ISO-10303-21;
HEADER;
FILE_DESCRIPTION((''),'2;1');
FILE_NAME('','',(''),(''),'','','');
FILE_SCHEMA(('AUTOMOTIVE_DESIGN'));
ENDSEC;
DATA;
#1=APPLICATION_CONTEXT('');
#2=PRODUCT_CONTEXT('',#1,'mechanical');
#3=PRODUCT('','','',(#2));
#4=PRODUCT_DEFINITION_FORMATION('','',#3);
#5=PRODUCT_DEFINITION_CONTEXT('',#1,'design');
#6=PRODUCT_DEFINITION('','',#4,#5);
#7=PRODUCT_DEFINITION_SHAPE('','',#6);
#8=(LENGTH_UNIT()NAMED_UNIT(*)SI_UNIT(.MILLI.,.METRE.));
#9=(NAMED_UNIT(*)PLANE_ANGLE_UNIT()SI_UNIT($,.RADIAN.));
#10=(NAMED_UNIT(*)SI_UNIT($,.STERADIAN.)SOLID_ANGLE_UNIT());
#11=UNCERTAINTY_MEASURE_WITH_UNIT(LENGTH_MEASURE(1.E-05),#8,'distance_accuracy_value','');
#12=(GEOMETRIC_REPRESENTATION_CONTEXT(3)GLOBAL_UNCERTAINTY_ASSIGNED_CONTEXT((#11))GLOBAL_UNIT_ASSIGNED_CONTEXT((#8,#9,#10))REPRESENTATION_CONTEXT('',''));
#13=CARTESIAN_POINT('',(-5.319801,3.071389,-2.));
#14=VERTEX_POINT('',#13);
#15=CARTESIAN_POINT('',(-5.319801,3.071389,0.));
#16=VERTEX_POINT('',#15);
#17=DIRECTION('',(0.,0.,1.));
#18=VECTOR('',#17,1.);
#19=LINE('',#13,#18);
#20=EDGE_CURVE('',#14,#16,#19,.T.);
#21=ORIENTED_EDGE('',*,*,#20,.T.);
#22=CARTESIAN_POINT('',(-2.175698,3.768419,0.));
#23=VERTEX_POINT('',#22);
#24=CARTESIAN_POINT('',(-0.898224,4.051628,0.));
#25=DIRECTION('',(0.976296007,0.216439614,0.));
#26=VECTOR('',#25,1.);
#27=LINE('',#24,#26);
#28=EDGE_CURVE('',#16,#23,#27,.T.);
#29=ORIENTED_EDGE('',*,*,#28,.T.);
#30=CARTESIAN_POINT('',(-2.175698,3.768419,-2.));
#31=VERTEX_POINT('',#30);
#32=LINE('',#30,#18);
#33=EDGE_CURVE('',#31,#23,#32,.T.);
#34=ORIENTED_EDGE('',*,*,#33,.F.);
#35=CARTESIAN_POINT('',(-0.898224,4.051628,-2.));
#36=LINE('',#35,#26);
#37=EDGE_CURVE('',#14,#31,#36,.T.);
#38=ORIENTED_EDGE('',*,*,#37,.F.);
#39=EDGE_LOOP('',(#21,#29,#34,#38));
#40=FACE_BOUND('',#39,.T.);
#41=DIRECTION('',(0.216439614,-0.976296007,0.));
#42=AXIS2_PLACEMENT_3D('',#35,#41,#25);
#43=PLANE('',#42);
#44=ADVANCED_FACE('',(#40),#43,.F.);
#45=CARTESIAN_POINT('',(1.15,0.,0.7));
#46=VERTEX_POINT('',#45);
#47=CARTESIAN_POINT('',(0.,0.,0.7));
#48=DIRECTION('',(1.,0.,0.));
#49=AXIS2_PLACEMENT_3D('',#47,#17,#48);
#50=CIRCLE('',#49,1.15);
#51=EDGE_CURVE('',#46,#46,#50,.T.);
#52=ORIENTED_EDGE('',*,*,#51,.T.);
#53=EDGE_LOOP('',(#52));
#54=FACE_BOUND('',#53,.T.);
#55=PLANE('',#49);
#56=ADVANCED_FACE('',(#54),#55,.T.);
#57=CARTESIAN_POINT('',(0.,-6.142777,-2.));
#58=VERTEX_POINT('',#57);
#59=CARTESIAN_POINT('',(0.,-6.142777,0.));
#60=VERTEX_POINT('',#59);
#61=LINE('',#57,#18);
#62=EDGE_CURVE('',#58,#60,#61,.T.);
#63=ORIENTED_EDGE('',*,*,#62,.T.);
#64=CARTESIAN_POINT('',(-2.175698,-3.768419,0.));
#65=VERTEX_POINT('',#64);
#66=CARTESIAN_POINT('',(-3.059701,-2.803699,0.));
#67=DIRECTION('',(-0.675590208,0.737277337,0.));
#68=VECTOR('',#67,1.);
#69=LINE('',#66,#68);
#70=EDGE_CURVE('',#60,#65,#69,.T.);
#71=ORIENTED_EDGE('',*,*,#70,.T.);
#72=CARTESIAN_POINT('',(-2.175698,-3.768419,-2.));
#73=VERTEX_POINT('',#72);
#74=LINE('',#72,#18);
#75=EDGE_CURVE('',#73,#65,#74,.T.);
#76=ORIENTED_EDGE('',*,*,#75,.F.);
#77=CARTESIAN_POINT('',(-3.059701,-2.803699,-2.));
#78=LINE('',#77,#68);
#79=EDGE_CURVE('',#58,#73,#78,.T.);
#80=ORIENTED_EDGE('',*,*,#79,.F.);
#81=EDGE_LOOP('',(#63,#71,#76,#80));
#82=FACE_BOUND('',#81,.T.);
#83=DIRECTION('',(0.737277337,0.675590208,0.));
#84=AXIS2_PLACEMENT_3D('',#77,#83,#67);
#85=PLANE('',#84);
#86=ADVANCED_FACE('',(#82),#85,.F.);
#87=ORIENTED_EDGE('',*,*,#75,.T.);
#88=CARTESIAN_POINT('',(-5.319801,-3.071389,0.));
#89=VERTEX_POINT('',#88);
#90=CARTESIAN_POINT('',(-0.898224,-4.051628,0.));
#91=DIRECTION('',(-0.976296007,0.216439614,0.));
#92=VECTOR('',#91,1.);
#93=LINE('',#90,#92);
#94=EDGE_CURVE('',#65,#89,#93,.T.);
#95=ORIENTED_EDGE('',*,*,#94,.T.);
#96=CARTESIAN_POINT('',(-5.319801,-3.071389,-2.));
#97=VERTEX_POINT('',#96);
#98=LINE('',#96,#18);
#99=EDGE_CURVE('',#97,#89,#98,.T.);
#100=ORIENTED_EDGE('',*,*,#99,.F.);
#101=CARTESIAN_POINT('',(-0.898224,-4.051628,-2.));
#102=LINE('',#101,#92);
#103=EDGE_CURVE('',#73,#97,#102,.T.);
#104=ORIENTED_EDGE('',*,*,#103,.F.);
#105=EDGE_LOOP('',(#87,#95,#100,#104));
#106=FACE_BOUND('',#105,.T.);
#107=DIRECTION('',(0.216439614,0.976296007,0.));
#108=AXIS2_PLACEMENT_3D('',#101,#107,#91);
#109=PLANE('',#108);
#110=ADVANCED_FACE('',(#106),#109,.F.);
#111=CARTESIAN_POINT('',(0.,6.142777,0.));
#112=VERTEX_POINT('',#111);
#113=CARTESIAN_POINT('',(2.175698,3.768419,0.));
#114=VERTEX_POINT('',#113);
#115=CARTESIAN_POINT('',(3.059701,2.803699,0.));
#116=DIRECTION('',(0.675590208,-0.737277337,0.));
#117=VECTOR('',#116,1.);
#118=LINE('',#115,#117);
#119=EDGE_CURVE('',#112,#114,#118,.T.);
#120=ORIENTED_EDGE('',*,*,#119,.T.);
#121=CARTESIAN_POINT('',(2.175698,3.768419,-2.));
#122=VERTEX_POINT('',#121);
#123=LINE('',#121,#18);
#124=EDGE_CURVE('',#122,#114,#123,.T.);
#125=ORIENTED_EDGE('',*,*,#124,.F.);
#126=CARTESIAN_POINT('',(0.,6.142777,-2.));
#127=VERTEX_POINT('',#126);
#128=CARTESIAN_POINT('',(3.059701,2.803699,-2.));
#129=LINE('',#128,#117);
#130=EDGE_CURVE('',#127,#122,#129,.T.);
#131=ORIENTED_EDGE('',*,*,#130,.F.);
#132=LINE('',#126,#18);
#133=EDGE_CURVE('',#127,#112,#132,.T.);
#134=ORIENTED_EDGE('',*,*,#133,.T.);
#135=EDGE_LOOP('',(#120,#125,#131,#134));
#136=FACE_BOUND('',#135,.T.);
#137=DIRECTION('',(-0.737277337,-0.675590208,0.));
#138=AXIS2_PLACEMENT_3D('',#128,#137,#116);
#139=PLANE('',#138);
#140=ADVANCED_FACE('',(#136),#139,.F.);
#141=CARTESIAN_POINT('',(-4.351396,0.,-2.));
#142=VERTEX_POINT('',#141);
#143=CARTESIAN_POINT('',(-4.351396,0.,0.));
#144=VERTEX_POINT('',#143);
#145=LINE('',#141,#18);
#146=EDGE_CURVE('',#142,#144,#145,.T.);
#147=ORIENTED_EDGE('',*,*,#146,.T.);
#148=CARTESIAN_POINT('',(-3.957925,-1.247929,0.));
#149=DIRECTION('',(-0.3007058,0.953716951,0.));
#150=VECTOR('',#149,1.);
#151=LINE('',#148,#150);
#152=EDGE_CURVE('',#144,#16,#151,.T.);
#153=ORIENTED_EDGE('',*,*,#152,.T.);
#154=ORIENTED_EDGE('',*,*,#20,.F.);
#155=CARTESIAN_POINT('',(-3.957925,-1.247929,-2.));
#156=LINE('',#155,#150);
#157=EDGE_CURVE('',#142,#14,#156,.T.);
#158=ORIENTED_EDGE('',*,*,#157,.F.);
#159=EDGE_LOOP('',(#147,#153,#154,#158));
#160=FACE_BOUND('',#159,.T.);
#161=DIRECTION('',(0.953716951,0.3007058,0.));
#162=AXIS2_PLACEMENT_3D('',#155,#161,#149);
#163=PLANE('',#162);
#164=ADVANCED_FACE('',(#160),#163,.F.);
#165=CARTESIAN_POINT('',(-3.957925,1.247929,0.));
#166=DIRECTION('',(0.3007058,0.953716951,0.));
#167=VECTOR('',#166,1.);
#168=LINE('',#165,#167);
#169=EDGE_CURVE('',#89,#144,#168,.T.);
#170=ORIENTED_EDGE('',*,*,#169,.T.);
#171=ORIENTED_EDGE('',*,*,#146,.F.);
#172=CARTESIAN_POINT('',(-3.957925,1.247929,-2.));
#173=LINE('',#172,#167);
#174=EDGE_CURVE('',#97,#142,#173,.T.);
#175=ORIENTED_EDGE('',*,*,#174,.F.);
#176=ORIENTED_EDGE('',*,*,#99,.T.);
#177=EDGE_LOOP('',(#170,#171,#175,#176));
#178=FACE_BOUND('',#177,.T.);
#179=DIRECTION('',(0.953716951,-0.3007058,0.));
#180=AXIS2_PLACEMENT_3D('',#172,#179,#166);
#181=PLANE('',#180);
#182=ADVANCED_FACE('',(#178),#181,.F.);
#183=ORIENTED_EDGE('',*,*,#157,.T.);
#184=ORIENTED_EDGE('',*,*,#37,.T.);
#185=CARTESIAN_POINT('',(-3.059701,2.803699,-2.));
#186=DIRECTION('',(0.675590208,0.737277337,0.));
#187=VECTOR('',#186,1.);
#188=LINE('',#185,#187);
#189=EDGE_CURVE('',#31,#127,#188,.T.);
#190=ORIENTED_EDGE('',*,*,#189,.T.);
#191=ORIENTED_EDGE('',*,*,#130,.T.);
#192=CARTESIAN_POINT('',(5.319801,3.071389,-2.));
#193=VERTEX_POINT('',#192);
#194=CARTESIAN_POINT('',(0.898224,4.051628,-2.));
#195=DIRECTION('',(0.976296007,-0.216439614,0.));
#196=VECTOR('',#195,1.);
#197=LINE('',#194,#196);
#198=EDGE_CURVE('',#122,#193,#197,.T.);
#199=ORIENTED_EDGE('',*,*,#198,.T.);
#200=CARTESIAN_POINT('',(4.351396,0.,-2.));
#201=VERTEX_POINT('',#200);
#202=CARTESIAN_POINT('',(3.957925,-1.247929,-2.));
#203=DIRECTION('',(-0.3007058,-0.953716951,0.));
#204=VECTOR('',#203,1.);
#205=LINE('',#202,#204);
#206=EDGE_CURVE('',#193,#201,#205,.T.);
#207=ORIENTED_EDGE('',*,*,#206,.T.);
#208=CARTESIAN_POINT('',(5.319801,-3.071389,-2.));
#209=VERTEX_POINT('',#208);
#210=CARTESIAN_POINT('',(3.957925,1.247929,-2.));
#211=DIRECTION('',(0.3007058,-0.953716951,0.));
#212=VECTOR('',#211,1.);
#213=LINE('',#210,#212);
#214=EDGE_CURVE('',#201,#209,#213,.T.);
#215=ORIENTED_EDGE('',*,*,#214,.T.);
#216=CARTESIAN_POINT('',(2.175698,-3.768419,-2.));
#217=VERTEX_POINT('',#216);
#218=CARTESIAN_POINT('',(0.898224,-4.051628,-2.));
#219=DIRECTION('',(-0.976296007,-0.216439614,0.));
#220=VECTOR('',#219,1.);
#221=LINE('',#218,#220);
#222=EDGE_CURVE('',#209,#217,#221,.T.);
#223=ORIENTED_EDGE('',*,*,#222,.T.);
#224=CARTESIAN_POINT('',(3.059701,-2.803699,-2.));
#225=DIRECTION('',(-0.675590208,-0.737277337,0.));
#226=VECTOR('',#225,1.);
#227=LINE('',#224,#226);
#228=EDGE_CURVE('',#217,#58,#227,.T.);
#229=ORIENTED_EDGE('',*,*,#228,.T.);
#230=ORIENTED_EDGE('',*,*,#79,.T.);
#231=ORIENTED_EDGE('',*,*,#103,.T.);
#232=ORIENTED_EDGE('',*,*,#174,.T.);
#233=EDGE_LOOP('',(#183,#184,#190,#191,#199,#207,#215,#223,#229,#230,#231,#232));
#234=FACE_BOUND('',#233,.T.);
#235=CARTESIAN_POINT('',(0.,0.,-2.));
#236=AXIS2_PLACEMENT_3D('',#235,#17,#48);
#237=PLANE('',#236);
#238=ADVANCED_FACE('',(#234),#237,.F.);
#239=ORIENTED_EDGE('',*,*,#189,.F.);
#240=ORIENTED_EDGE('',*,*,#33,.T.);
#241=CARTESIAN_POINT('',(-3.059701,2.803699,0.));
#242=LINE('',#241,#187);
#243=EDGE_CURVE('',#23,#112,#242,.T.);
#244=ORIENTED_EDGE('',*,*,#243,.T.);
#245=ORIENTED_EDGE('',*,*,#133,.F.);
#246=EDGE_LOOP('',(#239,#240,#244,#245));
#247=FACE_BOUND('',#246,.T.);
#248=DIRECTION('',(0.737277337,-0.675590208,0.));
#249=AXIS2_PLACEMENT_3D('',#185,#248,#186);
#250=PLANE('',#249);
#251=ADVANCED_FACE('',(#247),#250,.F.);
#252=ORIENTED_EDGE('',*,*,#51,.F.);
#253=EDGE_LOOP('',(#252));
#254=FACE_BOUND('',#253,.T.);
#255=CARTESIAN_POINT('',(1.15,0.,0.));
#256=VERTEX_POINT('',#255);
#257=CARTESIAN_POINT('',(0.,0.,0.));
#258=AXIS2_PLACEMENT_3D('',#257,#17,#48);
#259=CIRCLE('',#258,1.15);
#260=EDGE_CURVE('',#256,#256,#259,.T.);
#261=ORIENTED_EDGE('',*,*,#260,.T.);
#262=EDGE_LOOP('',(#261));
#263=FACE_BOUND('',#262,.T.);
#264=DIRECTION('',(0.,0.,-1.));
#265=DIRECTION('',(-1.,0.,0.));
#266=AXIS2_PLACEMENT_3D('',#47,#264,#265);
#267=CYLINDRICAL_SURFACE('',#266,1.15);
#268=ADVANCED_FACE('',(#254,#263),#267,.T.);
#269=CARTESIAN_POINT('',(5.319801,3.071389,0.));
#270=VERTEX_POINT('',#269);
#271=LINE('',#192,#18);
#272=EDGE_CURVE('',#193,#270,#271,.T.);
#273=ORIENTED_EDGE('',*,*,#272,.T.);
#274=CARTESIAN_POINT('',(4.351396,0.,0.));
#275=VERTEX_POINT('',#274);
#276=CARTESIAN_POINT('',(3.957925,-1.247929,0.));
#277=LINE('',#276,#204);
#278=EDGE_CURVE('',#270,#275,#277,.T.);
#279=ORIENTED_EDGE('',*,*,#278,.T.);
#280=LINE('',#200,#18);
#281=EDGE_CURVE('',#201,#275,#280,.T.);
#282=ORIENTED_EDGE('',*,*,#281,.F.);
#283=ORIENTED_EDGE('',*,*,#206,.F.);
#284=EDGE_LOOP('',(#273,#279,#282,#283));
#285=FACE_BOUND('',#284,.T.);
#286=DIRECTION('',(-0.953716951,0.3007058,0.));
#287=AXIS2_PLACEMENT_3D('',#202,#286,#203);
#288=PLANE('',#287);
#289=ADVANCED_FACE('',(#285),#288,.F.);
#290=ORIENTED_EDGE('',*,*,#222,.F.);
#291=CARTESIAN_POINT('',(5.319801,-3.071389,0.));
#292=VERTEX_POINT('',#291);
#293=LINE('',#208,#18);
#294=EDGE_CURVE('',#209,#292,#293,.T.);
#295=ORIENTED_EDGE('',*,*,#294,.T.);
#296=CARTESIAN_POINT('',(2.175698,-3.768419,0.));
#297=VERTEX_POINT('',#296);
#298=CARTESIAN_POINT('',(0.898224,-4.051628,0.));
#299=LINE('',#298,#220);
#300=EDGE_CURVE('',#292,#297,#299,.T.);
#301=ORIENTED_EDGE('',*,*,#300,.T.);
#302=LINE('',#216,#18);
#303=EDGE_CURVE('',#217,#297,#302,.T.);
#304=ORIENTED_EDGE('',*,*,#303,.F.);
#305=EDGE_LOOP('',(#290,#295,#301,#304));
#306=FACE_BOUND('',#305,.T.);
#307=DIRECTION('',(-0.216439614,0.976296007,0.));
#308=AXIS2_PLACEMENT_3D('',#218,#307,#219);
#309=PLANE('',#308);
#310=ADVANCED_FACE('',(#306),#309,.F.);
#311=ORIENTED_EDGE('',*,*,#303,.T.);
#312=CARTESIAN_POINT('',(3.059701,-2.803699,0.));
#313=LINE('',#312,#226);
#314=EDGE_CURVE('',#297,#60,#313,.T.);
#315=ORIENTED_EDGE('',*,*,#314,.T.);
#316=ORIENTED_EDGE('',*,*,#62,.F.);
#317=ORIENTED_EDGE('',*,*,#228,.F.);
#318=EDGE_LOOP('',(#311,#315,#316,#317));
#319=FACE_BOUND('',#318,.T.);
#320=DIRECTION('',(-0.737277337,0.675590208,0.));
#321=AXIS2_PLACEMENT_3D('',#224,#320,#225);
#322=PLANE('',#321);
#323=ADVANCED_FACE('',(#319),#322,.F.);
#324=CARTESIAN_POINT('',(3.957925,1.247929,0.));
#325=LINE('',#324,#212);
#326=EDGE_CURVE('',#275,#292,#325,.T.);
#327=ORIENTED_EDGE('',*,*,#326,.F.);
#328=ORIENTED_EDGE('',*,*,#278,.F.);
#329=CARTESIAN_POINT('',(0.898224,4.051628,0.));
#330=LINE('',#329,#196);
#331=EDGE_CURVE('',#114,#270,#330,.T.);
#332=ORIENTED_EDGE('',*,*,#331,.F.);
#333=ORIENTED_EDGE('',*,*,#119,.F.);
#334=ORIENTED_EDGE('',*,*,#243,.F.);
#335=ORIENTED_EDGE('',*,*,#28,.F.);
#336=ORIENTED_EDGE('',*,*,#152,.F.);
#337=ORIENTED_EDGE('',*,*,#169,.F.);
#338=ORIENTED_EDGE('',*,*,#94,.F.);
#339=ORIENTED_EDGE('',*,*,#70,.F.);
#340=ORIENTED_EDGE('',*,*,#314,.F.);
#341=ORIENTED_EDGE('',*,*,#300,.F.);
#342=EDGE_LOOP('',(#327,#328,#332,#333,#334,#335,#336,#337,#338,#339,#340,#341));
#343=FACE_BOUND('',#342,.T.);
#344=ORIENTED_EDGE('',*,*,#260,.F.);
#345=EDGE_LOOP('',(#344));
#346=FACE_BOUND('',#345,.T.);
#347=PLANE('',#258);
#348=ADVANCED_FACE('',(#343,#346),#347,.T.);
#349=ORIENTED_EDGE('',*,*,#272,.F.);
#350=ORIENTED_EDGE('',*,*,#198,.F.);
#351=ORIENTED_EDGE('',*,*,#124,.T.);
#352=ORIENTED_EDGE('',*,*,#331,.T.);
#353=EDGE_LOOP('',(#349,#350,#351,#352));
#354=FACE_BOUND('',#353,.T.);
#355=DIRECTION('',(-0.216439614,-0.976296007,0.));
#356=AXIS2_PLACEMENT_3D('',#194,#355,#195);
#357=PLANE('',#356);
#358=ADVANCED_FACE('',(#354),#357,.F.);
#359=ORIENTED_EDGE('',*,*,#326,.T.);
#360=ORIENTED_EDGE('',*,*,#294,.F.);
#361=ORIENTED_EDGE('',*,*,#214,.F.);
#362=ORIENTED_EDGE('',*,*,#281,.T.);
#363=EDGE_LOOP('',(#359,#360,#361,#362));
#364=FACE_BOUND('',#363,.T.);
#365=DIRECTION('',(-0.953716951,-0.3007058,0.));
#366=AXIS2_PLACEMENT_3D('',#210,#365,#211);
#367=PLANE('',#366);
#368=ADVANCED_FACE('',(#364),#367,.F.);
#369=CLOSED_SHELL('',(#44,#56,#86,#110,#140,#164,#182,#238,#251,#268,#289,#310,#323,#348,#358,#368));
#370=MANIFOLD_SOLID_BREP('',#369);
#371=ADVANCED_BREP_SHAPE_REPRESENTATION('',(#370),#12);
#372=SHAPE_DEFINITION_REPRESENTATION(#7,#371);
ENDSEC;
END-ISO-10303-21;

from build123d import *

# Parameters (mm, degrees)
BOSS_EXTRUDE1_DEPTH = 2
SKETCH1_4_R         = 1.15
BOSS_EXTRUDE2_DEPTH = 0.7


with BuildPart() as part:
    # Sketch1 → Boss-Extrude1 (new body)
    with BuildSketch(Plane.XY):
        Polygon((2.175697935, 3.768419365), (0, 6.142777017), (-2.175697935, 3.768419365), (-5.319800946, 3.071388508), (-4.351395869, 0), (-5.319800946, -3.071388508), (-2.175697935, -3.768419365), (0, -6.142777017), (2.175697935, -3.768419365), (5.319800946, -3.071388508), (4.351395869, 0), (5.319800946, 3.071388508), align=None)
    extrude(amount=-BOSS_EXTRUDE1_DEPTH)

    # Sketch1<4> → Boss-Extrude2 (add)
    with BuildSketch(Plane.XY):
        Circle(SKETCH1_4_R)
    extrude(amount=BOSS_EXTRUDE2_DEPTH)


solid = part.part
